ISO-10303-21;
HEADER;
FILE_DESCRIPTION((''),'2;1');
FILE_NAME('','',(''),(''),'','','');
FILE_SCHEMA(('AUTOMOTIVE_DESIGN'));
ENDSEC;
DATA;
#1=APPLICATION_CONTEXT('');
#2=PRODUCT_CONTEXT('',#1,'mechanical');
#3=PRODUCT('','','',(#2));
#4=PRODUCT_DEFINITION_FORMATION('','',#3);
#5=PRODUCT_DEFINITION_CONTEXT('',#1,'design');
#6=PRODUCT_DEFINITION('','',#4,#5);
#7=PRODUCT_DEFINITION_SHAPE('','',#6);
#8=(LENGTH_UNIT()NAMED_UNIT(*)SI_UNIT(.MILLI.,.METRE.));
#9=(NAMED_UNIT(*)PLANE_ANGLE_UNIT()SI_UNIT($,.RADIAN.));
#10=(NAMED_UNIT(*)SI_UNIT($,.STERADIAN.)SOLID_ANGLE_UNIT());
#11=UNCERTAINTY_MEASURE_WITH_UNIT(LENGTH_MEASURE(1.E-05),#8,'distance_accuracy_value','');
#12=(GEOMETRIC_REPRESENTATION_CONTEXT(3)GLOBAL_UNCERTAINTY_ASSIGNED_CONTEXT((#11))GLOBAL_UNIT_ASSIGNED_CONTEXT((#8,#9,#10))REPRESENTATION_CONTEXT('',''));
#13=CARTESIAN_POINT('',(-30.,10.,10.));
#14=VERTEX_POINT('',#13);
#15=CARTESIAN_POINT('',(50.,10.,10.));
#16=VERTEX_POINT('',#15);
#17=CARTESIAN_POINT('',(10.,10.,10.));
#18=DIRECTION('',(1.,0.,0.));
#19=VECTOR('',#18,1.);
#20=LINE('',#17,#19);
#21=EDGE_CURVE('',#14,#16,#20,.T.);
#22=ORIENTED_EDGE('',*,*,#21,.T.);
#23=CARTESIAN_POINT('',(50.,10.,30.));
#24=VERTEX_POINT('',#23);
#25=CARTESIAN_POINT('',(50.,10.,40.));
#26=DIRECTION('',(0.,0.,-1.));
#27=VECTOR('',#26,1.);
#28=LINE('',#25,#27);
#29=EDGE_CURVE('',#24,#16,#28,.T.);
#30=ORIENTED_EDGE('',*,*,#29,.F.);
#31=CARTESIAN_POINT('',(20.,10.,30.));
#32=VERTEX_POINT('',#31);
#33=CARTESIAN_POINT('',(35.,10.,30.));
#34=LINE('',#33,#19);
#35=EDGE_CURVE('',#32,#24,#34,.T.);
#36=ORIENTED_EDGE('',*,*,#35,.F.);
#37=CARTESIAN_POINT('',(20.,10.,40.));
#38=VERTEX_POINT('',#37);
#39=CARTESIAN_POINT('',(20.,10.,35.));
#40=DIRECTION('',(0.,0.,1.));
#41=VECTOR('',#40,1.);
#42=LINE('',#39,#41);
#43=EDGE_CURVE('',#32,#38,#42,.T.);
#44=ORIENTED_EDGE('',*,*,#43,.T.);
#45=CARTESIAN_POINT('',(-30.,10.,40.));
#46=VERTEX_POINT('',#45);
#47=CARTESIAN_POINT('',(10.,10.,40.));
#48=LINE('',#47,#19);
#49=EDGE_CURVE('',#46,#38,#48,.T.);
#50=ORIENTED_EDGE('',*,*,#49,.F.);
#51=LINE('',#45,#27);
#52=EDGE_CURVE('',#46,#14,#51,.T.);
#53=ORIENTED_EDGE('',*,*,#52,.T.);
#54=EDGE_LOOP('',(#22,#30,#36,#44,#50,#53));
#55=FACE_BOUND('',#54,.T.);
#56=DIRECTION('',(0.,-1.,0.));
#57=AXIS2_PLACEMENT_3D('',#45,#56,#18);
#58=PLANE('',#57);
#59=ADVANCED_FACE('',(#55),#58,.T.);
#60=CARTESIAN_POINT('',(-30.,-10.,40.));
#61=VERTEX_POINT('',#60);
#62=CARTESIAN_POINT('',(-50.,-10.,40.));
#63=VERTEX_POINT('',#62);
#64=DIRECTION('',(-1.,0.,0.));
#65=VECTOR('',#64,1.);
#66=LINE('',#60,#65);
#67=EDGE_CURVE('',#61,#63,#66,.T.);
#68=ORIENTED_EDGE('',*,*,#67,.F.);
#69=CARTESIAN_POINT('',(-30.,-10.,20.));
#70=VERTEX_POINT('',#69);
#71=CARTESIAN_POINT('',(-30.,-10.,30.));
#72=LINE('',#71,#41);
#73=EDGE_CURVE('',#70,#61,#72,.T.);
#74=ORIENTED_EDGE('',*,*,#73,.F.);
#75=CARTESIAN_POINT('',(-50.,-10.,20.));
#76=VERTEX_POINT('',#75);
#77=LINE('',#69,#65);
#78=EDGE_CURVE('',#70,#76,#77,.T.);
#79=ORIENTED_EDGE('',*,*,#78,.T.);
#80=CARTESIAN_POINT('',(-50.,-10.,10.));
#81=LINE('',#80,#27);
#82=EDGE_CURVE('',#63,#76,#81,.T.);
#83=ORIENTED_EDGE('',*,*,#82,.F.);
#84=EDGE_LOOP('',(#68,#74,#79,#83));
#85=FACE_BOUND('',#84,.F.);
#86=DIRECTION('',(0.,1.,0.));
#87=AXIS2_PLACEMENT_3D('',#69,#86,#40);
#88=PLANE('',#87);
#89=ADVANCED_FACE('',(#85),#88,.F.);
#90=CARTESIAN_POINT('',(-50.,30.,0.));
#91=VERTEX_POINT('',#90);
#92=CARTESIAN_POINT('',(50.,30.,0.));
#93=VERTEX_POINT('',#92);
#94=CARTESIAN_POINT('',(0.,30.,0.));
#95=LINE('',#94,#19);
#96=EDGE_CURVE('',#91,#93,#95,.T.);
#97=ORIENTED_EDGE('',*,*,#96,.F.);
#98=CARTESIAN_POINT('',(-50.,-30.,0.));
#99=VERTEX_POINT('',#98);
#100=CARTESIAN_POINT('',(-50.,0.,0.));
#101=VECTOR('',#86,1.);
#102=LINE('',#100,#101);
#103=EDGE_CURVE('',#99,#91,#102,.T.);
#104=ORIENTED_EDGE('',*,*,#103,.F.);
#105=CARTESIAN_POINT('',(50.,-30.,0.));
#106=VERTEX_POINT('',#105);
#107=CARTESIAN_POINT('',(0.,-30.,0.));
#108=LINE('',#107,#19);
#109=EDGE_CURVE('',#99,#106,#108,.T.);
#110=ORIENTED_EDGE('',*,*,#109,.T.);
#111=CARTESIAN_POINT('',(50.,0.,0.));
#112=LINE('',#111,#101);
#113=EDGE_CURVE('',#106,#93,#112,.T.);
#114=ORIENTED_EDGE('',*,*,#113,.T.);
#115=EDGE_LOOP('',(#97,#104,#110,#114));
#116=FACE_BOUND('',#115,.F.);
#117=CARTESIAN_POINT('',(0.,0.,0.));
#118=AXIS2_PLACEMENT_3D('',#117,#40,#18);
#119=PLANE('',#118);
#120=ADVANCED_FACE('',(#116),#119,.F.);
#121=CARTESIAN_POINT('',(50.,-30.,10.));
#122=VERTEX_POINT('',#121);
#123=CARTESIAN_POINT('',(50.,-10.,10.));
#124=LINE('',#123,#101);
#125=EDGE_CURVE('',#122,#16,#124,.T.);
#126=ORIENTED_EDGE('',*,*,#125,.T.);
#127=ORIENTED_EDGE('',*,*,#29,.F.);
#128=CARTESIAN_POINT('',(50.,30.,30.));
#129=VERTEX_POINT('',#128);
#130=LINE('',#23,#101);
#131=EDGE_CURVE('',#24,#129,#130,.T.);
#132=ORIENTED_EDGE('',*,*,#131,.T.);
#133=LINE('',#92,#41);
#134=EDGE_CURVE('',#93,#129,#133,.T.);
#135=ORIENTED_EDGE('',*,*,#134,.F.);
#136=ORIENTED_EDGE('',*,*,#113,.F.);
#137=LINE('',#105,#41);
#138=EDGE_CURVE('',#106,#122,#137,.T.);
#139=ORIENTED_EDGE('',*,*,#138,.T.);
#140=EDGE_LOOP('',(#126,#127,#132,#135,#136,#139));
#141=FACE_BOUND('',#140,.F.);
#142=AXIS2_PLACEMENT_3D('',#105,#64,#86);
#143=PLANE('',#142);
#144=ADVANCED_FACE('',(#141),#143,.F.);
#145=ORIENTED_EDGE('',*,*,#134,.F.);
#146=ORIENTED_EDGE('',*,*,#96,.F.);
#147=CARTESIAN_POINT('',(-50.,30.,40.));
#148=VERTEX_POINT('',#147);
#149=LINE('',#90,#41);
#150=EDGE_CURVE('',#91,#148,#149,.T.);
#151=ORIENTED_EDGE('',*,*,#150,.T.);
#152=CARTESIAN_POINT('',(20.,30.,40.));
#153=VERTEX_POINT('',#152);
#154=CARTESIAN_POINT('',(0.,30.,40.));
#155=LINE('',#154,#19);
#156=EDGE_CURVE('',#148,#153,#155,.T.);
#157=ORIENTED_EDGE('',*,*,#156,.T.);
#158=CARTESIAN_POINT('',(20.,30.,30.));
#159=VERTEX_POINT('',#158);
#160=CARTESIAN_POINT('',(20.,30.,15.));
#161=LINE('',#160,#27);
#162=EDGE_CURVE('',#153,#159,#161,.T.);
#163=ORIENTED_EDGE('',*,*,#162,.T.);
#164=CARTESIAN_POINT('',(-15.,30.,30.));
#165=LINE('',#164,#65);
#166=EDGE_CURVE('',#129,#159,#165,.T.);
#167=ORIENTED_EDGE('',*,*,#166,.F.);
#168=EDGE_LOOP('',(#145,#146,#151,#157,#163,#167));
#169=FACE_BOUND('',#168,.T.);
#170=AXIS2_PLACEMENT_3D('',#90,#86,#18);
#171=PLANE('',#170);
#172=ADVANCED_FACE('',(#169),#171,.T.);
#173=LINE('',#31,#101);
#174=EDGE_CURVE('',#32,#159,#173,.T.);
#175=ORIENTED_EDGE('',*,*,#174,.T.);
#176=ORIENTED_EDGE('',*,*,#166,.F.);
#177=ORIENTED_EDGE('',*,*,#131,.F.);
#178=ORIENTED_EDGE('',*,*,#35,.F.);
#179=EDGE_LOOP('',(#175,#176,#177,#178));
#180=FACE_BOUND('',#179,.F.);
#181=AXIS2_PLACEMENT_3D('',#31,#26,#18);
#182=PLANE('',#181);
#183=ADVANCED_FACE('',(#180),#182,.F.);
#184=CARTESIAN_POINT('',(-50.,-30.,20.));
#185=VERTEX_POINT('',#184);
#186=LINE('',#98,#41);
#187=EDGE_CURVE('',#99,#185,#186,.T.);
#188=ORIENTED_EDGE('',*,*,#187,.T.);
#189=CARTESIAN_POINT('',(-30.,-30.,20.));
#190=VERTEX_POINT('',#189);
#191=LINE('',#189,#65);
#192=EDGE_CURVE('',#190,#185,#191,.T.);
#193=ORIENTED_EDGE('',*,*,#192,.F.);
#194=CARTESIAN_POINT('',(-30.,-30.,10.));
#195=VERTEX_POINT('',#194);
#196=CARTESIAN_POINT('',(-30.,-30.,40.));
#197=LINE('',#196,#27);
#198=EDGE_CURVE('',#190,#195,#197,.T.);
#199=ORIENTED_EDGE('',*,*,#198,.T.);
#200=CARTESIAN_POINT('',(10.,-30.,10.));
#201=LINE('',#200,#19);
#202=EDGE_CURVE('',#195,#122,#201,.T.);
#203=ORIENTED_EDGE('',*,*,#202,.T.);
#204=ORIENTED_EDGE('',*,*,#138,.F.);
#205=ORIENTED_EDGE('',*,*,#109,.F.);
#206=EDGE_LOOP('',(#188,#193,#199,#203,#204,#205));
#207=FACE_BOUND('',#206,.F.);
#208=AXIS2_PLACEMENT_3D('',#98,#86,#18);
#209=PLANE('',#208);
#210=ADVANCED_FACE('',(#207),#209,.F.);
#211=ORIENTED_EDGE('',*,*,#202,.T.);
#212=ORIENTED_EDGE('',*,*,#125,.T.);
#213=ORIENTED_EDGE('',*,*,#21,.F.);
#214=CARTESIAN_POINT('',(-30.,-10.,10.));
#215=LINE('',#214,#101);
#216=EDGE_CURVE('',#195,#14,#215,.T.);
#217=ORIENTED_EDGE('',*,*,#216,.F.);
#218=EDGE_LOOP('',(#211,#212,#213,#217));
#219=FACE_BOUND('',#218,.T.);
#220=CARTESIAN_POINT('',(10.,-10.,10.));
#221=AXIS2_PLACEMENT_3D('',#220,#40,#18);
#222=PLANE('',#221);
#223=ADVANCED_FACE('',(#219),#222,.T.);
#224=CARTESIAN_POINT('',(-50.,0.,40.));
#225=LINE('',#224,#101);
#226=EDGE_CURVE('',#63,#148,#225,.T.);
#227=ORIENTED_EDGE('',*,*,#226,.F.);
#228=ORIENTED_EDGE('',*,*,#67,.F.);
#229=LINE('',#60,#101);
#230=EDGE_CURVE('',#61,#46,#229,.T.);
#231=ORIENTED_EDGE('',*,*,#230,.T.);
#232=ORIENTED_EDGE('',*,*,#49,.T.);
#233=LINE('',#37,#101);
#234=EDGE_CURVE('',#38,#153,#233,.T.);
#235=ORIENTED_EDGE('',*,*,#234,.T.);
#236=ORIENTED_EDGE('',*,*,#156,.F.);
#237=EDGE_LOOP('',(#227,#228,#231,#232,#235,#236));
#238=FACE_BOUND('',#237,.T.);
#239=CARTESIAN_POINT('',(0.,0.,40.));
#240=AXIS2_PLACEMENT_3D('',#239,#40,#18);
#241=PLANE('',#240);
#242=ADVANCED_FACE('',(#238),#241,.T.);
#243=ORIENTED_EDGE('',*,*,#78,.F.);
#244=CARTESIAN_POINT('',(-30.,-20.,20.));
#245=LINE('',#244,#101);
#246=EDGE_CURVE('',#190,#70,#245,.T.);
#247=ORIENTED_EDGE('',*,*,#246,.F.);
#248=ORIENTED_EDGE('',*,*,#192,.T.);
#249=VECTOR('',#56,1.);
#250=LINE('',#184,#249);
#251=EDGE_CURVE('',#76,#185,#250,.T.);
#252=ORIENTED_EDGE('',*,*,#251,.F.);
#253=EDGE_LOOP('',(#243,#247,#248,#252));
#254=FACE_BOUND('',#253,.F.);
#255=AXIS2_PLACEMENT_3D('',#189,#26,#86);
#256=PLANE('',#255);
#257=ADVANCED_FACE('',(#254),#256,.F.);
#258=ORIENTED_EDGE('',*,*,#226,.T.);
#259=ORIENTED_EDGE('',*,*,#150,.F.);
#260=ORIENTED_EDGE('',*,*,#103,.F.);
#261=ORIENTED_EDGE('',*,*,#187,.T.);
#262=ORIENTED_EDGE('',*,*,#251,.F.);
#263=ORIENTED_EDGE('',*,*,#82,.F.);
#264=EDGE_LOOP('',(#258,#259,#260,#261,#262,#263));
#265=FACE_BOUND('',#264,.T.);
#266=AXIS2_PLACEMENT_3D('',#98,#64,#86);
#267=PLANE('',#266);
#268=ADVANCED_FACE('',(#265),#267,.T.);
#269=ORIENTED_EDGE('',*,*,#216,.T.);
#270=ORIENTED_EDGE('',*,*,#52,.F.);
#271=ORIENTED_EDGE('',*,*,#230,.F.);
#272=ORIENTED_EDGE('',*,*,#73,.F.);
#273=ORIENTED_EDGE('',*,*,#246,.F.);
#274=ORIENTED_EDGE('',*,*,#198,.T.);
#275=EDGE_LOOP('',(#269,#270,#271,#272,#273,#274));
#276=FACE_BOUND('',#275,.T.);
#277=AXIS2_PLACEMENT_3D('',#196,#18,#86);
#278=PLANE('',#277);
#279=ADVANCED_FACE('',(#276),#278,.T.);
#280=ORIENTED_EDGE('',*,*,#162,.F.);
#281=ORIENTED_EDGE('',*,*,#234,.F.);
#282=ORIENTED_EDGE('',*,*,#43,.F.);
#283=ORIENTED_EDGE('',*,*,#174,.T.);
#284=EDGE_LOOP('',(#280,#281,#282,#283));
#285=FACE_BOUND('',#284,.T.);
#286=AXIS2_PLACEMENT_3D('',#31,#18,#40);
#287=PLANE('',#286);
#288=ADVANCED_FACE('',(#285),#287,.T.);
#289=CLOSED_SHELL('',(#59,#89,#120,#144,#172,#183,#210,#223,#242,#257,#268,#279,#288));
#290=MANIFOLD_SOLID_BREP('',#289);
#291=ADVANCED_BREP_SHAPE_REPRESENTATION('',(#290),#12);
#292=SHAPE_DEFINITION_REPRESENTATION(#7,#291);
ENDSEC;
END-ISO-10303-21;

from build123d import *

# Parameters (mm, degrees)
F0_W     = 100
F0_H     = 60
F1_DEPTH = 40
F2_W     = 80
F2_H     = 40
F3_DEPTH = 30
F4_W     = 30
F4_H     = 10
F5_DEPTH = 20.001
F6_W     = 20
F6_H     = 20
F7_DEPTH = 20.001


with BuildPart() as f1:
    # F0 (on Top) → F1 (new body)
    with BuildSketch(Plane.XY):
        Rectangle(F0_W, F0_H)
    extrude(amount=F1_DEPTH)

    # F2 (on face) → F3 (cut)
    with BuildSketch(Plane.XY.offset(40)):
        with Locations((10, -10)):
            Rectangle(F2_W, F2_H)
    extrude(amount=-F3_DEPTH, mode=Mode.SUBTRACT)

    # F4 (on face) → F5 (cut, through all)
    with BuildSketch(Plane.XZ.offset(-10)):
        with Locations((35, 35)):
            Rectangle(F4_W, F4_H)
    extrude(amount=-F5_DEPTH, mode=Mode.SUBTRACT)

    # F6 (on face) → F7 (cut, through all)
    with BuildSketch(Plane.YZ.offset(-30)):
        with Locations((-20, 30)):
            Rectangle(F6_W, F6_H)
    extrude(amount=-F7_DEPTH, mode=Mode.SUBTRACT)


solid = f1.part
